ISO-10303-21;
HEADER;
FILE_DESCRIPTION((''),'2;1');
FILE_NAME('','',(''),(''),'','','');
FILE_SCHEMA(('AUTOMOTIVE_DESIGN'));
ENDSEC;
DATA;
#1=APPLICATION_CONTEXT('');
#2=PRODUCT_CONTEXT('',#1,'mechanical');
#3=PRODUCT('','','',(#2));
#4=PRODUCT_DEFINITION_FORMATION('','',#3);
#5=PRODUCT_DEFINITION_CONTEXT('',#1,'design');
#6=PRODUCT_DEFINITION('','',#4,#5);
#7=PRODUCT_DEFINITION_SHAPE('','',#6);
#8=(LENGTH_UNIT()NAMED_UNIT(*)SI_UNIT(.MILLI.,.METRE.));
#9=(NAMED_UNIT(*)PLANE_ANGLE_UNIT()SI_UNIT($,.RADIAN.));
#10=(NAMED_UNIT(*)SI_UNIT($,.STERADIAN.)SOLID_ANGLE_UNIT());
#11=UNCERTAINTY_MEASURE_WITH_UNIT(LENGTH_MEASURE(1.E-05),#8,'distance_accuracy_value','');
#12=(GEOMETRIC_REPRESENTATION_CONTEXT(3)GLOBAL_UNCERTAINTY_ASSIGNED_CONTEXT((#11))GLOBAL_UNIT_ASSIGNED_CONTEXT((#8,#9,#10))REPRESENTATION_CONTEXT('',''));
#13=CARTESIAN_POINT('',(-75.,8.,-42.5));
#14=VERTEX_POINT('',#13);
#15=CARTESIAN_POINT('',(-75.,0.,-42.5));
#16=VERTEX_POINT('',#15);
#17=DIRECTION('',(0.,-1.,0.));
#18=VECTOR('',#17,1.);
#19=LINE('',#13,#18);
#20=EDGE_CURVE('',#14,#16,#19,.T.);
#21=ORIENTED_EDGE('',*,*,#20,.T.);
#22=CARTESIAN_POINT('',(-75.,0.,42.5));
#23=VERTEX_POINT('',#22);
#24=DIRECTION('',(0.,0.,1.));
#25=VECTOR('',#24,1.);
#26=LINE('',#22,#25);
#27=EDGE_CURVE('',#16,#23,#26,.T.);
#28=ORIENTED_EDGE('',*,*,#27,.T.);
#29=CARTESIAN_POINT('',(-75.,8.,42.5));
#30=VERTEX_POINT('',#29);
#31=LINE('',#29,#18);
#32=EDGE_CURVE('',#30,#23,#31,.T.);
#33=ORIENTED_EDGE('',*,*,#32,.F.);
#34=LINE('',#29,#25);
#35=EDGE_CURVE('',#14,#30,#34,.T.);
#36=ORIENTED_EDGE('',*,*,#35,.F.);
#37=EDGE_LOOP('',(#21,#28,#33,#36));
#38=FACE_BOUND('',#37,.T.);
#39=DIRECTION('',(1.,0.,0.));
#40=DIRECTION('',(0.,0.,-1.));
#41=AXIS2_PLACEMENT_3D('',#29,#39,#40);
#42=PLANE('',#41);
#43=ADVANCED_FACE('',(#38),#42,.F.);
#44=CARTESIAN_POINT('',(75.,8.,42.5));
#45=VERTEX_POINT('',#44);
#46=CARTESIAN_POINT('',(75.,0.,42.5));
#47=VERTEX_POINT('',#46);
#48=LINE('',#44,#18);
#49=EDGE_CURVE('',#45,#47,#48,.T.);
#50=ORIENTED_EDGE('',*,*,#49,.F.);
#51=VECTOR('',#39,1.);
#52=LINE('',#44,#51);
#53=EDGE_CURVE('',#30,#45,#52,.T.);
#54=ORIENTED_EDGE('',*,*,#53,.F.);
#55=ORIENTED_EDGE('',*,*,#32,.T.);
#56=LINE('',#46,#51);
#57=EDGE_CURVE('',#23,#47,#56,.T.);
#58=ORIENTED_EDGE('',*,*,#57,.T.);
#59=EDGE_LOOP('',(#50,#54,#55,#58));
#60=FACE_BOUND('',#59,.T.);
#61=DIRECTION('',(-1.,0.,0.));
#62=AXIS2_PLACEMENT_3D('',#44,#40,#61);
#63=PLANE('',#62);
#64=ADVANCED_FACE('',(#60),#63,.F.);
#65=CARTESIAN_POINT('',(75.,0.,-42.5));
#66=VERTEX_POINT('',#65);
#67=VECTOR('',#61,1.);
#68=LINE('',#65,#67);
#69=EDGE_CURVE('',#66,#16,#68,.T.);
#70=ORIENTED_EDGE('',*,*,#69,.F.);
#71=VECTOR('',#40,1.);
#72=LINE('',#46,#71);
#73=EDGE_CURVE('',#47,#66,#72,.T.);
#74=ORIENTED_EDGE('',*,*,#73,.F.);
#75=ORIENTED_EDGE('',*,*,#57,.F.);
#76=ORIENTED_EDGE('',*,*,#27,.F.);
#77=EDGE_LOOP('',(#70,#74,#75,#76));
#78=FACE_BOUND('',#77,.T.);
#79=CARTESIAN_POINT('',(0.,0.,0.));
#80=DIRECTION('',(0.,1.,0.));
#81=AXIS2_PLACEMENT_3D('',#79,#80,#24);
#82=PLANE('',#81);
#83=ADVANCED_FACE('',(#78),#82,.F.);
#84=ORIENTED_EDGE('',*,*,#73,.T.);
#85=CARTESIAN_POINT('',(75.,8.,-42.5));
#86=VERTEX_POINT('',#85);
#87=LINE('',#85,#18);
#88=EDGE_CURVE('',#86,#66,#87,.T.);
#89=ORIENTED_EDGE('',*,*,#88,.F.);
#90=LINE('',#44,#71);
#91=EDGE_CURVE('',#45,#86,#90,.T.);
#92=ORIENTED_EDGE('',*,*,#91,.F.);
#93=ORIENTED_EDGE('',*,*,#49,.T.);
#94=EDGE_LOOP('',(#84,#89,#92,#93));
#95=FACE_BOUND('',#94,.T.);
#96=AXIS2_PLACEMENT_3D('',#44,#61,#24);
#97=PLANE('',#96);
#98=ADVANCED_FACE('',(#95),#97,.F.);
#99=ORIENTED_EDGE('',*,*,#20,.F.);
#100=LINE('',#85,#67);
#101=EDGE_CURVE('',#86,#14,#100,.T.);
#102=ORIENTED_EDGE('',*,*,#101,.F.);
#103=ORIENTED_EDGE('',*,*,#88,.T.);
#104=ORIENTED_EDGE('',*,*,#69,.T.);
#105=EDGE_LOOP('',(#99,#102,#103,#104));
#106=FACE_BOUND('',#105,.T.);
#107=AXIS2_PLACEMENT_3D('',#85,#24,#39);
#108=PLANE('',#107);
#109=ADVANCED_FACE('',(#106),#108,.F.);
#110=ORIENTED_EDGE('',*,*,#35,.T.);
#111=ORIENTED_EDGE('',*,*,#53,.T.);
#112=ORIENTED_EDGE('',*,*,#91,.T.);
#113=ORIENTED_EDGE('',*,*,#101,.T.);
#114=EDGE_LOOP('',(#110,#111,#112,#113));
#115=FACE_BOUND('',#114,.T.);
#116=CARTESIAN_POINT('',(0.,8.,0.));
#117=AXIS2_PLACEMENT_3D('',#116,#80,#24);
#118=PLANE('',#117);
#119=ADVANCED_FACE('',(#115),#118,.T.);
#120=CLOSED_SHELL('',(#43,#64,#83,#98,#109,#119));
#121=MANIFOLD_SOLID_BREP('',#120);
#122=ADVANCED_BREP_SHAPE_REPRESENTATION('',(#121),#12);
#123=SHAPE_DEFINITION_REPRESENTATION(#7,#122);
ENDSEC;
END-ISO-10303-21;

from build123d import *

# Parameters (mm, degrees)
SKETCH_1_W      = 150
SKETCH_1_H      = 85
EXTRUDE_1_DEPTH = 8


with BuildPart() as part:
    # Эскиз1 → Бобышка-Вытянуть1 (new body)
    with BuildSketch(Plane(origin=(0, 0, 0), x_dir=(1, 0, 0), z_dir=(0, 1, 0))):
        Rectangle(SKETCH_1_W, SKETCH_1_H)
    extrude(amount=EXTRUDE_1_DEPTH)


solid = part.part
